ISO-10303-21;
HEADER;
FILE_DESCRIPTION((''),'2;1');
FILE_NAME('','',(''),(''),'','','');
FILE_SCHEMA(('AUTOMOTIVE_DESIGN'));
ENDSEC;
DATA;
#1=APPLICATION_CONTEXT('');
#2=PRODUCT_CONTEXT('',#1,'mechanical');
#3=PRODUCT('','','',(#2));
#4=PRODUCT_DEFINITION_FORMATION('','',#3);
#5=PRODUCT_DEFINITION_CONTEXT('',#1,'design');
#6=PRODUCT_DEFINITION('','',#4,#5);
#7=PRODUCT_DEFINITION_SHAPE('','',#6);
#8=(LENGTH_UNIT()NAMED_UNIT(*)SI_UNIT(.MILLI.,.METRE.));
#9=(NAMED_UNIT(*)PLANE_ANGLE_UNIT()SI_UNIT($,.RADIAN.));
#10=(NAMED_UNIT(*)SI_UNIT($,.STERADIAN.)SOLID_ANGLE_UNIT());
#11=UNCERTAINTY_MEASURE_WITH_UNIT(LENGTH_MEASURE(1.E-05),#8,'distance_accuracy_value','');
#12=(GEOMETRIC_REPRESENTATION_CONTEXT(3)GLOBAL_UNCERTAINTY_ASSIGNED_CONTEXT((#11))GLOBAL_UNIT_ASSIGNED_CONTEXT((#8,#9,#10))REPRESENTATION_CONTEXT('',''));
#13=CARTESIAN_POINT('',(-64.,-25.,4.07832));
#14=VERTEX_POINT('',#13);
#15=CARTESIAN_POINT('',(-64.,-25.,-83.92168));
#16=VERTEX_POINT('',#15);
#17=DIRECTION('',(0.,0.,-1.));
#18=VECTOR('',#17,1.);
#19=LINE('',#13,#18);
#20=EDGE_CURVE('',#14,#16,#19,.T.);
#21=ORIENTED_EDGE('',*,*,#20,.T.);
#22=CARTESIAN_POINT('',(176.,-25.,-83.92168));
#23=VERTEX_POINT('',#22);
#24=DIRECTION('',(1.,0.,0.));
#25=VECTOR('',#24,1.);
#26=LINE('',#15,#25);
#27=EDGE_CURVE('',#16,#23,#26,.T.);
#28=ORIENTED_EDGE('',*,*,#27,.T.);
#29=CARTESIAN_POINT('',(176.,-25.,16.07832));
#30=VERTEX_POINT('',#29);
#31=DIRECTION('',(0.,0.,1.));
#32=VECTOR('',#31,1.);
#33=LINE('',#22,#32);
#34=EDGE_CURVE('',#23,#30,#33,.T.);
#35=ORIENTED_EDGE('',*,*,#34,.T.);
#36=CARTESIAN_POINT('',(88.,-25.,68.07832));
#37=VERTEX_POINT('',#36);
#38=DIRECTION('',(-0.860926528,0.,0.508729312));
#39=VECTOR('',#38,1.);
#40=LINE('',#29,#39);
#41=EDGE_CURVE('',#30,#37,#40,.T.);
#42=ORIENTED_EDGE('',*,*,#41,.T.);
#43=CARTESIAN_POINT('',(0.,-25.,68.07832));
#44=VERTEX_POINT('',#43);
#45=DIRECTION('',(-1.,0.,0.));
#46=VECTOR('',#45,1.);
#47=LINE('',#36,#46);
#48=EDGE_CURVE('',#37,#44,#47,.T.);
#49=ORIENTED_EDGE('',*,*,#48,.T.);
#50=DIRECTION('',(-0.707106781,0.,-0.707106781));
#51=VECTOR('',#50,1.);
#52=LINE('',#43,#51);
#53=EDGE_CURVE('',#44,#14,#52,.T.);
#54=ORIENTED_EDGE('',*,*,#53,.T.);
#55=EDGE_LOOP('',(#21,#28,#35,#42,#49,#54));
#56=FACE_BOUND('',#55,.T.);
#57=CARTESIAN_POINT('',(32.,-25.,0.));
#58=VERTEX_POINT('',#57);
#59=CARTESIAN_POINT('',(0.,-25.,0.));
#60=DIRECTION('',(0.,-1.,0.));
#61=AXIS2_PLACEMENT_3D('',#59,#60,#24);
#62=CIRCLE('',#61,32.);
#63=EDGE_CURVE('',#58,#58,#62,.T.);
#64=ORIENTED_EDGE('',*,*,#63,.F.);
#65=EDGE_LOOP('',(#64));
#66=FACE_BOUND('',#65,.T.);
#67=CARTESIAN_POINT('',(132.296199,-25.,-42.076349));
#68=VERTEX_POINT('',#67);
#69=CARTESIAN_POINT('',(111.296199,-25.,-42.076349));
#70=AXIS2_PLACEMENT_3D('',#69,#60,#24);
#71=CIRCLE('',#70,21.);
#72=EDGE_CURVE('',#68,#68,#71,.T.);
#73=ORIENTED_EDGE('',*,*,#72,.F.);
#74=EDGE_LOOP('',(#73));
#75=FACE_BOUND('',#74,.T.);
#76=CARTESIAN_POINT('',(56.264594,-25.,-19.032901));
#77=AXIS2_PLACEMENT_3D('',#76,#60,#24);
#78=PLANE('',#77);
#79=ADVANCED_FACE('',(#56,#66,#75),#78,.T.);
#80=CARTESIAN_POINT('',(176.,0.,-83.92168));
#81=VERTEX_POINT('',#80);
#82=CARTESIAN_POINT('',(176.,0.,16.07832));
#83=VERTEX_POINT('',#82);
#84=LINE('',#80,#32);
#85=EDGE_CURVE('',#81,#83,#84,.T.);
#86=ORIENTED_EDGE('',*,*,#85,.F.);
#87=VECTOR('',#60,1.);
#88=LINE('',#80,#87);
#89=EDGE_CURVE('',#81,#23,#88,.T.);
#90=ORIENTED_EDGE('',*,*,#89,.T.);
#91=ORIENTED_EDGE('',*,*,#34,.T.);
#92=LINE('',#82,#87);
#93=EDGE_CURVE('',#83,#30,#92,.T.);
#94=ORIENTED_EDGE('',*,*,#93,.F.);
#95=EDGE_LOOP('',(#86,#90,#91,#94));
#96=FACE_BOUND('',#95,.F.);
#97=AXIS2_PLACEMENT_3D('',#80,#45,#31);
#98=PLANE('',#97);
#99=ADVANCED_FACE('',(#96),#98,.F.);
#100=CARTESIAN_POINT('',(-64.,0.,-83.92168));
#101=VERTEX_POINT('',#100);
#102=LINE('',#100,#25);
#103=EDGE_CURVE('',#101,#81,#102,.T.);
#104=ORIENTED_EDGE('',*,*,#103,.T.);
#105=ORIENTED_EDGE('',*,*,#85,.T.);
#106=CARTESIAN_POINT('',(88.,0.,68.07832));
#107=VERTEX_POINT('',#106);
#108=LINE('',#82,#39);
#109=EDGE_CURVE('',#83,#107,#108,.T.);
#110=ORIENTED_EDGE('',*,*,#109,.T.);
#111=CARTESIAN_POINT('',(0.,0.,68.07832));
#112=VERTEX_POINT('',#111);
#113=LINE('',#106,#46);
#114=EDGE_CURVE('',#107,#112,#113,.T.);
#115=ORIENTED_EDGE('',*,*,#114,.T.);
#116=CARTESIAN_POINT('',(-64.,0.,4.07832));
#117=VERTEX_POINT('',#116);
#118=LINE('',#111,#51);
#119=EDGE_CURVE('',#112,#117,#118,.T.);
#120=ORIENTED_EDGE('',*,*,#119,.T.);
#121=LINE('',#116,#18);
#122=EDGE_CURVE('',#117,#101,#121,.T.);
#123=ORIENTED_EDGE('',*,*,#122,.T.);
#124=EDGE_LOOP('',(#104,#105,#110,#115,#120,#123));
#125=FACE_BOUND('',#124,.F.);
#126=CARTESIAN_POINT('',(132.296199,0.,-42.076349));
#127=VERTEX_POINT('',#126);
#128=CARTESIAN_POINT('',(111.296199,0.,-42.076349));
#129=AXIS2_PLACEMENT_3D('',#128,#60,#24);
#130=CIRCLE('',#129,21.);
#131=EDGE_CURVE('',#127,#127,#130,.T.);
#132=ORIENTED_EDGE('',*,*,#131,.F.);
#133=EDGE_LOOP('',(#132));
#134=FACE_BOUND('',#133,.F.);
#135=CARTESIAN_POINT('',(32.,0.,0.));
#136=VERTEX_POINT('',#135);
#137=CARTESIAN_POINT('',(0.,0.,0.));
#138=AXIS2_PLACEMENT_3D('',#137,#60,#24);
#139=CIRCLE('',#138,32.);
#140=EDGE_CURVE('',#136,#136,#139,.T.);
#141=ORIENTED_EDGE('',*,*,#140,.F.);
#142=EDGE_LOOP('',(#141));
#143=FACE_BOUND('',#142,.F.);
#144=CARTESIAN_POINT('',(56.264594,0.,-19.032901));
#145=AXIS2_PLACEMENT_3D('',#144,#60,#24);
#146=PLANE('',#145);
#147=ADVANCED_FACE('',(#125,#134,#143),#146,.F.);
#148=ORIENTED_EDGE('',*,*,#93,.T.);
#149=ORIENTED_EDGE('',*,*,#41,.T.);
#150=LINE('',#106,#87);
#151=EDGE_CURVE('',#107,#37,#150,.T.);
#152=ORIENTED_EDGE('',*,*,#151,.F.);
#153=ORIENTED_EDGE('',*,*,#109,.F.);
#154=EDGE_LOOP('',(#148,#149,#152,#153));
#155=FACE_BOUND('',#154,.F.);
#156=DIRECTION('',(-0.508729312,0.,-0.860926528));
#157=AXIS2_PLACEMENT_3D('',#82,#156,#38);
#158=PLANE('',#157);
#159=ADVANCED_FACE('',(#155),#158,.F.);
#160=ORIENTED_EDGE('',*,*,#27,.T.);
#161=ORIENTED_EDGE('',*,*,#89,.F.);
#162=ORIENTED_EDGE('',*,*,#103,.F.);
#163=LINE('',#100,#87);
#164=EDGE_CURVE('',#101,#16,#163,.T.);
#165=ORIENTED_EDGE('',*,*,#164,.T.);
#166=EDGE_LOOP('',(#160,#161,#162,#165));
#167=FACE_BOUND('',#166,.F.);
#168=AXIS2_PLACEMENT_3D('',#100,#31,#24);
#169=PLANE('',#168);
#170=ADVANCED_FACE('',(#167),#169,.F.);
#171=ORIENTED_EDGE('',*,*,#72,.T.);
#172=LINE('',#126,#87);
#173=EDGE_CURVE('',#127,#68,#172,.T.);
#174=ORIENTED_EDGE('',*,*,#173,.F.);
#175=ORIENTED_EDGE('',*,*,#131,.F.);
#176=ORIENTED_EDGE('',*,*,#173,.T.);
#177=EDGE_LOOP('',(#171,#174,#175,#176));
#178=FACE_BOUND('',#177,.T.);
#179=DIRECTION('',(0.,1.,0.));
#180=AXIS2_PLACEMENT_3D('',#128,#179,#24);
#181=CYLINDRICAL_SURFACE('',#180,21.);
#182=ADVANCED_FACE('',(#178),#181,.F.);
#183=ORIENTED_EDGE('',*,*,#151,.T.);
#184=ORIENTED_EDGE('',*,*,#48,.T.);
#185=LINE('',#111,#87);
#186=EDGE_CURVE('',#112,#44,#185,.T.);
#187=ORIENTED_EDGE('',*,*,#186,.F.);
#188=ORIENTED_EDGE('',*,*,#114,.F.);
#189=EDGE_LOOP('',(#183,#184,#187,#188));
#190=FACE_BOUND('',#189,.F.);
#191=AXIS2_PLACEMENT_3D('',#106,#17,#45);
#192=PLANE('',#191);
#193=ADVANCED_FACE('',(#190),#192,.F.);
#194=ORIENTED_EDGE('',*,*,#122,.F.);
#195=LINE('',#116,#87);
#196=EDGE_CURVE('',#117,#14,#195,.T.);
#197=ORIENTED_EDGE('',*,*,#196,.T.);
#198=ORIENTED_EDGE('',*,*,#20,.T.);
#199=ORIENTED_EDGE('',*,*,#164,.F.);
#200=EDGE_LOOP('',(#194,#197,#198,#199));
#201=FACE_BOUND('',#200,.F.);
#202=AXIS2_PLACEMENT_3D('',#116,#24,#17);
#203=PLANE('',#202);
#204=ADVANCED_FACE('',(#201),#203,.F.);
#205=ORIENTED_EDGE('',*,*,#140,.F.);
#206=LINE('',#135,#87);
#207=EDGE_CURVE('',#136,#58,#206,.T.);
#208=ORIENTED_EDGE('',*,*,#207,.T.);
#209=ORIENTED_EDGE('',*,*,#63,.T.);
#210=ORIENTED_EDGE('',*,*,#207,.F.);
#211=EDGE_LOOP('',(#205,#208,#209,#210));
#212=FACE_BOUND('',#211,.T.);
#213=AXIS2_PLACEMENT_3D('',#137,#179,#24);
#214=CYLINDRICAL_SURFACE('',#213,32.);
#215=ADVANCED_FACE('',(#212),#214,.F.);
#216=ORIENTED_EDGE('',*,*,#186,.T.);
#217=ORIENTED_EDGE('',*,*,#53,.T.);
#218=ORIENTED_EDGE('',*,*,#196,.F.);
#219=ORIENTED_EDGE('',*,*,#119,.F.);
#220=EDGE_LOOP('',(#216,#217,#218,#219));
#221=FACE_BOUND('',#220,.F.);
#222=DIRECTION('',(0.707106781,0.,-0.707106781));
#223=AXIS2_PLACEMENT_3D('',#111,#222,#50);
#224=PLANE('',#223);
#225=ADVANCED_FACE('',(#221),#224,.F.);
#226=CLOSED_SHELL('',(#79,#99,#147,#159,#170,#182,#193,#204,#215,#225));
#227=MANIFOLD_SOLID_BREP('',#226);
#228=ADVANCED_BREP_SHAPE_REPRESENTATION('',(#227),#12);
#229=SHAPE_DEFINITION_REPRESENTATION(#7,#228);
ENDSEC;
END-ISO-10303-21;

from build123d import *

# Parameters (mm, degrees)
F0_R     = 21
F0_R_2   = 32
F1_DEPTH = 25


with BuildPart() as f1:
    # F0 (on Front) → F1 (new body)
    with BuildSketch(Plane.XZ):
        Polygon((-64, 4.07832), (-64, -83.92168), (176, -83.92168), (176, 16.07832), (88, 68.07832), (0, 68.07832), align=None)
        with Locations((111.296199, -42.076349)):
            Circle(F0_R, mode=Mode.SUBTRACT)
        Circle(F0_R_2, mode=Mode.SUBTRACT)
    extrude(amount=F1_DEPTH)


solid = f1.part
